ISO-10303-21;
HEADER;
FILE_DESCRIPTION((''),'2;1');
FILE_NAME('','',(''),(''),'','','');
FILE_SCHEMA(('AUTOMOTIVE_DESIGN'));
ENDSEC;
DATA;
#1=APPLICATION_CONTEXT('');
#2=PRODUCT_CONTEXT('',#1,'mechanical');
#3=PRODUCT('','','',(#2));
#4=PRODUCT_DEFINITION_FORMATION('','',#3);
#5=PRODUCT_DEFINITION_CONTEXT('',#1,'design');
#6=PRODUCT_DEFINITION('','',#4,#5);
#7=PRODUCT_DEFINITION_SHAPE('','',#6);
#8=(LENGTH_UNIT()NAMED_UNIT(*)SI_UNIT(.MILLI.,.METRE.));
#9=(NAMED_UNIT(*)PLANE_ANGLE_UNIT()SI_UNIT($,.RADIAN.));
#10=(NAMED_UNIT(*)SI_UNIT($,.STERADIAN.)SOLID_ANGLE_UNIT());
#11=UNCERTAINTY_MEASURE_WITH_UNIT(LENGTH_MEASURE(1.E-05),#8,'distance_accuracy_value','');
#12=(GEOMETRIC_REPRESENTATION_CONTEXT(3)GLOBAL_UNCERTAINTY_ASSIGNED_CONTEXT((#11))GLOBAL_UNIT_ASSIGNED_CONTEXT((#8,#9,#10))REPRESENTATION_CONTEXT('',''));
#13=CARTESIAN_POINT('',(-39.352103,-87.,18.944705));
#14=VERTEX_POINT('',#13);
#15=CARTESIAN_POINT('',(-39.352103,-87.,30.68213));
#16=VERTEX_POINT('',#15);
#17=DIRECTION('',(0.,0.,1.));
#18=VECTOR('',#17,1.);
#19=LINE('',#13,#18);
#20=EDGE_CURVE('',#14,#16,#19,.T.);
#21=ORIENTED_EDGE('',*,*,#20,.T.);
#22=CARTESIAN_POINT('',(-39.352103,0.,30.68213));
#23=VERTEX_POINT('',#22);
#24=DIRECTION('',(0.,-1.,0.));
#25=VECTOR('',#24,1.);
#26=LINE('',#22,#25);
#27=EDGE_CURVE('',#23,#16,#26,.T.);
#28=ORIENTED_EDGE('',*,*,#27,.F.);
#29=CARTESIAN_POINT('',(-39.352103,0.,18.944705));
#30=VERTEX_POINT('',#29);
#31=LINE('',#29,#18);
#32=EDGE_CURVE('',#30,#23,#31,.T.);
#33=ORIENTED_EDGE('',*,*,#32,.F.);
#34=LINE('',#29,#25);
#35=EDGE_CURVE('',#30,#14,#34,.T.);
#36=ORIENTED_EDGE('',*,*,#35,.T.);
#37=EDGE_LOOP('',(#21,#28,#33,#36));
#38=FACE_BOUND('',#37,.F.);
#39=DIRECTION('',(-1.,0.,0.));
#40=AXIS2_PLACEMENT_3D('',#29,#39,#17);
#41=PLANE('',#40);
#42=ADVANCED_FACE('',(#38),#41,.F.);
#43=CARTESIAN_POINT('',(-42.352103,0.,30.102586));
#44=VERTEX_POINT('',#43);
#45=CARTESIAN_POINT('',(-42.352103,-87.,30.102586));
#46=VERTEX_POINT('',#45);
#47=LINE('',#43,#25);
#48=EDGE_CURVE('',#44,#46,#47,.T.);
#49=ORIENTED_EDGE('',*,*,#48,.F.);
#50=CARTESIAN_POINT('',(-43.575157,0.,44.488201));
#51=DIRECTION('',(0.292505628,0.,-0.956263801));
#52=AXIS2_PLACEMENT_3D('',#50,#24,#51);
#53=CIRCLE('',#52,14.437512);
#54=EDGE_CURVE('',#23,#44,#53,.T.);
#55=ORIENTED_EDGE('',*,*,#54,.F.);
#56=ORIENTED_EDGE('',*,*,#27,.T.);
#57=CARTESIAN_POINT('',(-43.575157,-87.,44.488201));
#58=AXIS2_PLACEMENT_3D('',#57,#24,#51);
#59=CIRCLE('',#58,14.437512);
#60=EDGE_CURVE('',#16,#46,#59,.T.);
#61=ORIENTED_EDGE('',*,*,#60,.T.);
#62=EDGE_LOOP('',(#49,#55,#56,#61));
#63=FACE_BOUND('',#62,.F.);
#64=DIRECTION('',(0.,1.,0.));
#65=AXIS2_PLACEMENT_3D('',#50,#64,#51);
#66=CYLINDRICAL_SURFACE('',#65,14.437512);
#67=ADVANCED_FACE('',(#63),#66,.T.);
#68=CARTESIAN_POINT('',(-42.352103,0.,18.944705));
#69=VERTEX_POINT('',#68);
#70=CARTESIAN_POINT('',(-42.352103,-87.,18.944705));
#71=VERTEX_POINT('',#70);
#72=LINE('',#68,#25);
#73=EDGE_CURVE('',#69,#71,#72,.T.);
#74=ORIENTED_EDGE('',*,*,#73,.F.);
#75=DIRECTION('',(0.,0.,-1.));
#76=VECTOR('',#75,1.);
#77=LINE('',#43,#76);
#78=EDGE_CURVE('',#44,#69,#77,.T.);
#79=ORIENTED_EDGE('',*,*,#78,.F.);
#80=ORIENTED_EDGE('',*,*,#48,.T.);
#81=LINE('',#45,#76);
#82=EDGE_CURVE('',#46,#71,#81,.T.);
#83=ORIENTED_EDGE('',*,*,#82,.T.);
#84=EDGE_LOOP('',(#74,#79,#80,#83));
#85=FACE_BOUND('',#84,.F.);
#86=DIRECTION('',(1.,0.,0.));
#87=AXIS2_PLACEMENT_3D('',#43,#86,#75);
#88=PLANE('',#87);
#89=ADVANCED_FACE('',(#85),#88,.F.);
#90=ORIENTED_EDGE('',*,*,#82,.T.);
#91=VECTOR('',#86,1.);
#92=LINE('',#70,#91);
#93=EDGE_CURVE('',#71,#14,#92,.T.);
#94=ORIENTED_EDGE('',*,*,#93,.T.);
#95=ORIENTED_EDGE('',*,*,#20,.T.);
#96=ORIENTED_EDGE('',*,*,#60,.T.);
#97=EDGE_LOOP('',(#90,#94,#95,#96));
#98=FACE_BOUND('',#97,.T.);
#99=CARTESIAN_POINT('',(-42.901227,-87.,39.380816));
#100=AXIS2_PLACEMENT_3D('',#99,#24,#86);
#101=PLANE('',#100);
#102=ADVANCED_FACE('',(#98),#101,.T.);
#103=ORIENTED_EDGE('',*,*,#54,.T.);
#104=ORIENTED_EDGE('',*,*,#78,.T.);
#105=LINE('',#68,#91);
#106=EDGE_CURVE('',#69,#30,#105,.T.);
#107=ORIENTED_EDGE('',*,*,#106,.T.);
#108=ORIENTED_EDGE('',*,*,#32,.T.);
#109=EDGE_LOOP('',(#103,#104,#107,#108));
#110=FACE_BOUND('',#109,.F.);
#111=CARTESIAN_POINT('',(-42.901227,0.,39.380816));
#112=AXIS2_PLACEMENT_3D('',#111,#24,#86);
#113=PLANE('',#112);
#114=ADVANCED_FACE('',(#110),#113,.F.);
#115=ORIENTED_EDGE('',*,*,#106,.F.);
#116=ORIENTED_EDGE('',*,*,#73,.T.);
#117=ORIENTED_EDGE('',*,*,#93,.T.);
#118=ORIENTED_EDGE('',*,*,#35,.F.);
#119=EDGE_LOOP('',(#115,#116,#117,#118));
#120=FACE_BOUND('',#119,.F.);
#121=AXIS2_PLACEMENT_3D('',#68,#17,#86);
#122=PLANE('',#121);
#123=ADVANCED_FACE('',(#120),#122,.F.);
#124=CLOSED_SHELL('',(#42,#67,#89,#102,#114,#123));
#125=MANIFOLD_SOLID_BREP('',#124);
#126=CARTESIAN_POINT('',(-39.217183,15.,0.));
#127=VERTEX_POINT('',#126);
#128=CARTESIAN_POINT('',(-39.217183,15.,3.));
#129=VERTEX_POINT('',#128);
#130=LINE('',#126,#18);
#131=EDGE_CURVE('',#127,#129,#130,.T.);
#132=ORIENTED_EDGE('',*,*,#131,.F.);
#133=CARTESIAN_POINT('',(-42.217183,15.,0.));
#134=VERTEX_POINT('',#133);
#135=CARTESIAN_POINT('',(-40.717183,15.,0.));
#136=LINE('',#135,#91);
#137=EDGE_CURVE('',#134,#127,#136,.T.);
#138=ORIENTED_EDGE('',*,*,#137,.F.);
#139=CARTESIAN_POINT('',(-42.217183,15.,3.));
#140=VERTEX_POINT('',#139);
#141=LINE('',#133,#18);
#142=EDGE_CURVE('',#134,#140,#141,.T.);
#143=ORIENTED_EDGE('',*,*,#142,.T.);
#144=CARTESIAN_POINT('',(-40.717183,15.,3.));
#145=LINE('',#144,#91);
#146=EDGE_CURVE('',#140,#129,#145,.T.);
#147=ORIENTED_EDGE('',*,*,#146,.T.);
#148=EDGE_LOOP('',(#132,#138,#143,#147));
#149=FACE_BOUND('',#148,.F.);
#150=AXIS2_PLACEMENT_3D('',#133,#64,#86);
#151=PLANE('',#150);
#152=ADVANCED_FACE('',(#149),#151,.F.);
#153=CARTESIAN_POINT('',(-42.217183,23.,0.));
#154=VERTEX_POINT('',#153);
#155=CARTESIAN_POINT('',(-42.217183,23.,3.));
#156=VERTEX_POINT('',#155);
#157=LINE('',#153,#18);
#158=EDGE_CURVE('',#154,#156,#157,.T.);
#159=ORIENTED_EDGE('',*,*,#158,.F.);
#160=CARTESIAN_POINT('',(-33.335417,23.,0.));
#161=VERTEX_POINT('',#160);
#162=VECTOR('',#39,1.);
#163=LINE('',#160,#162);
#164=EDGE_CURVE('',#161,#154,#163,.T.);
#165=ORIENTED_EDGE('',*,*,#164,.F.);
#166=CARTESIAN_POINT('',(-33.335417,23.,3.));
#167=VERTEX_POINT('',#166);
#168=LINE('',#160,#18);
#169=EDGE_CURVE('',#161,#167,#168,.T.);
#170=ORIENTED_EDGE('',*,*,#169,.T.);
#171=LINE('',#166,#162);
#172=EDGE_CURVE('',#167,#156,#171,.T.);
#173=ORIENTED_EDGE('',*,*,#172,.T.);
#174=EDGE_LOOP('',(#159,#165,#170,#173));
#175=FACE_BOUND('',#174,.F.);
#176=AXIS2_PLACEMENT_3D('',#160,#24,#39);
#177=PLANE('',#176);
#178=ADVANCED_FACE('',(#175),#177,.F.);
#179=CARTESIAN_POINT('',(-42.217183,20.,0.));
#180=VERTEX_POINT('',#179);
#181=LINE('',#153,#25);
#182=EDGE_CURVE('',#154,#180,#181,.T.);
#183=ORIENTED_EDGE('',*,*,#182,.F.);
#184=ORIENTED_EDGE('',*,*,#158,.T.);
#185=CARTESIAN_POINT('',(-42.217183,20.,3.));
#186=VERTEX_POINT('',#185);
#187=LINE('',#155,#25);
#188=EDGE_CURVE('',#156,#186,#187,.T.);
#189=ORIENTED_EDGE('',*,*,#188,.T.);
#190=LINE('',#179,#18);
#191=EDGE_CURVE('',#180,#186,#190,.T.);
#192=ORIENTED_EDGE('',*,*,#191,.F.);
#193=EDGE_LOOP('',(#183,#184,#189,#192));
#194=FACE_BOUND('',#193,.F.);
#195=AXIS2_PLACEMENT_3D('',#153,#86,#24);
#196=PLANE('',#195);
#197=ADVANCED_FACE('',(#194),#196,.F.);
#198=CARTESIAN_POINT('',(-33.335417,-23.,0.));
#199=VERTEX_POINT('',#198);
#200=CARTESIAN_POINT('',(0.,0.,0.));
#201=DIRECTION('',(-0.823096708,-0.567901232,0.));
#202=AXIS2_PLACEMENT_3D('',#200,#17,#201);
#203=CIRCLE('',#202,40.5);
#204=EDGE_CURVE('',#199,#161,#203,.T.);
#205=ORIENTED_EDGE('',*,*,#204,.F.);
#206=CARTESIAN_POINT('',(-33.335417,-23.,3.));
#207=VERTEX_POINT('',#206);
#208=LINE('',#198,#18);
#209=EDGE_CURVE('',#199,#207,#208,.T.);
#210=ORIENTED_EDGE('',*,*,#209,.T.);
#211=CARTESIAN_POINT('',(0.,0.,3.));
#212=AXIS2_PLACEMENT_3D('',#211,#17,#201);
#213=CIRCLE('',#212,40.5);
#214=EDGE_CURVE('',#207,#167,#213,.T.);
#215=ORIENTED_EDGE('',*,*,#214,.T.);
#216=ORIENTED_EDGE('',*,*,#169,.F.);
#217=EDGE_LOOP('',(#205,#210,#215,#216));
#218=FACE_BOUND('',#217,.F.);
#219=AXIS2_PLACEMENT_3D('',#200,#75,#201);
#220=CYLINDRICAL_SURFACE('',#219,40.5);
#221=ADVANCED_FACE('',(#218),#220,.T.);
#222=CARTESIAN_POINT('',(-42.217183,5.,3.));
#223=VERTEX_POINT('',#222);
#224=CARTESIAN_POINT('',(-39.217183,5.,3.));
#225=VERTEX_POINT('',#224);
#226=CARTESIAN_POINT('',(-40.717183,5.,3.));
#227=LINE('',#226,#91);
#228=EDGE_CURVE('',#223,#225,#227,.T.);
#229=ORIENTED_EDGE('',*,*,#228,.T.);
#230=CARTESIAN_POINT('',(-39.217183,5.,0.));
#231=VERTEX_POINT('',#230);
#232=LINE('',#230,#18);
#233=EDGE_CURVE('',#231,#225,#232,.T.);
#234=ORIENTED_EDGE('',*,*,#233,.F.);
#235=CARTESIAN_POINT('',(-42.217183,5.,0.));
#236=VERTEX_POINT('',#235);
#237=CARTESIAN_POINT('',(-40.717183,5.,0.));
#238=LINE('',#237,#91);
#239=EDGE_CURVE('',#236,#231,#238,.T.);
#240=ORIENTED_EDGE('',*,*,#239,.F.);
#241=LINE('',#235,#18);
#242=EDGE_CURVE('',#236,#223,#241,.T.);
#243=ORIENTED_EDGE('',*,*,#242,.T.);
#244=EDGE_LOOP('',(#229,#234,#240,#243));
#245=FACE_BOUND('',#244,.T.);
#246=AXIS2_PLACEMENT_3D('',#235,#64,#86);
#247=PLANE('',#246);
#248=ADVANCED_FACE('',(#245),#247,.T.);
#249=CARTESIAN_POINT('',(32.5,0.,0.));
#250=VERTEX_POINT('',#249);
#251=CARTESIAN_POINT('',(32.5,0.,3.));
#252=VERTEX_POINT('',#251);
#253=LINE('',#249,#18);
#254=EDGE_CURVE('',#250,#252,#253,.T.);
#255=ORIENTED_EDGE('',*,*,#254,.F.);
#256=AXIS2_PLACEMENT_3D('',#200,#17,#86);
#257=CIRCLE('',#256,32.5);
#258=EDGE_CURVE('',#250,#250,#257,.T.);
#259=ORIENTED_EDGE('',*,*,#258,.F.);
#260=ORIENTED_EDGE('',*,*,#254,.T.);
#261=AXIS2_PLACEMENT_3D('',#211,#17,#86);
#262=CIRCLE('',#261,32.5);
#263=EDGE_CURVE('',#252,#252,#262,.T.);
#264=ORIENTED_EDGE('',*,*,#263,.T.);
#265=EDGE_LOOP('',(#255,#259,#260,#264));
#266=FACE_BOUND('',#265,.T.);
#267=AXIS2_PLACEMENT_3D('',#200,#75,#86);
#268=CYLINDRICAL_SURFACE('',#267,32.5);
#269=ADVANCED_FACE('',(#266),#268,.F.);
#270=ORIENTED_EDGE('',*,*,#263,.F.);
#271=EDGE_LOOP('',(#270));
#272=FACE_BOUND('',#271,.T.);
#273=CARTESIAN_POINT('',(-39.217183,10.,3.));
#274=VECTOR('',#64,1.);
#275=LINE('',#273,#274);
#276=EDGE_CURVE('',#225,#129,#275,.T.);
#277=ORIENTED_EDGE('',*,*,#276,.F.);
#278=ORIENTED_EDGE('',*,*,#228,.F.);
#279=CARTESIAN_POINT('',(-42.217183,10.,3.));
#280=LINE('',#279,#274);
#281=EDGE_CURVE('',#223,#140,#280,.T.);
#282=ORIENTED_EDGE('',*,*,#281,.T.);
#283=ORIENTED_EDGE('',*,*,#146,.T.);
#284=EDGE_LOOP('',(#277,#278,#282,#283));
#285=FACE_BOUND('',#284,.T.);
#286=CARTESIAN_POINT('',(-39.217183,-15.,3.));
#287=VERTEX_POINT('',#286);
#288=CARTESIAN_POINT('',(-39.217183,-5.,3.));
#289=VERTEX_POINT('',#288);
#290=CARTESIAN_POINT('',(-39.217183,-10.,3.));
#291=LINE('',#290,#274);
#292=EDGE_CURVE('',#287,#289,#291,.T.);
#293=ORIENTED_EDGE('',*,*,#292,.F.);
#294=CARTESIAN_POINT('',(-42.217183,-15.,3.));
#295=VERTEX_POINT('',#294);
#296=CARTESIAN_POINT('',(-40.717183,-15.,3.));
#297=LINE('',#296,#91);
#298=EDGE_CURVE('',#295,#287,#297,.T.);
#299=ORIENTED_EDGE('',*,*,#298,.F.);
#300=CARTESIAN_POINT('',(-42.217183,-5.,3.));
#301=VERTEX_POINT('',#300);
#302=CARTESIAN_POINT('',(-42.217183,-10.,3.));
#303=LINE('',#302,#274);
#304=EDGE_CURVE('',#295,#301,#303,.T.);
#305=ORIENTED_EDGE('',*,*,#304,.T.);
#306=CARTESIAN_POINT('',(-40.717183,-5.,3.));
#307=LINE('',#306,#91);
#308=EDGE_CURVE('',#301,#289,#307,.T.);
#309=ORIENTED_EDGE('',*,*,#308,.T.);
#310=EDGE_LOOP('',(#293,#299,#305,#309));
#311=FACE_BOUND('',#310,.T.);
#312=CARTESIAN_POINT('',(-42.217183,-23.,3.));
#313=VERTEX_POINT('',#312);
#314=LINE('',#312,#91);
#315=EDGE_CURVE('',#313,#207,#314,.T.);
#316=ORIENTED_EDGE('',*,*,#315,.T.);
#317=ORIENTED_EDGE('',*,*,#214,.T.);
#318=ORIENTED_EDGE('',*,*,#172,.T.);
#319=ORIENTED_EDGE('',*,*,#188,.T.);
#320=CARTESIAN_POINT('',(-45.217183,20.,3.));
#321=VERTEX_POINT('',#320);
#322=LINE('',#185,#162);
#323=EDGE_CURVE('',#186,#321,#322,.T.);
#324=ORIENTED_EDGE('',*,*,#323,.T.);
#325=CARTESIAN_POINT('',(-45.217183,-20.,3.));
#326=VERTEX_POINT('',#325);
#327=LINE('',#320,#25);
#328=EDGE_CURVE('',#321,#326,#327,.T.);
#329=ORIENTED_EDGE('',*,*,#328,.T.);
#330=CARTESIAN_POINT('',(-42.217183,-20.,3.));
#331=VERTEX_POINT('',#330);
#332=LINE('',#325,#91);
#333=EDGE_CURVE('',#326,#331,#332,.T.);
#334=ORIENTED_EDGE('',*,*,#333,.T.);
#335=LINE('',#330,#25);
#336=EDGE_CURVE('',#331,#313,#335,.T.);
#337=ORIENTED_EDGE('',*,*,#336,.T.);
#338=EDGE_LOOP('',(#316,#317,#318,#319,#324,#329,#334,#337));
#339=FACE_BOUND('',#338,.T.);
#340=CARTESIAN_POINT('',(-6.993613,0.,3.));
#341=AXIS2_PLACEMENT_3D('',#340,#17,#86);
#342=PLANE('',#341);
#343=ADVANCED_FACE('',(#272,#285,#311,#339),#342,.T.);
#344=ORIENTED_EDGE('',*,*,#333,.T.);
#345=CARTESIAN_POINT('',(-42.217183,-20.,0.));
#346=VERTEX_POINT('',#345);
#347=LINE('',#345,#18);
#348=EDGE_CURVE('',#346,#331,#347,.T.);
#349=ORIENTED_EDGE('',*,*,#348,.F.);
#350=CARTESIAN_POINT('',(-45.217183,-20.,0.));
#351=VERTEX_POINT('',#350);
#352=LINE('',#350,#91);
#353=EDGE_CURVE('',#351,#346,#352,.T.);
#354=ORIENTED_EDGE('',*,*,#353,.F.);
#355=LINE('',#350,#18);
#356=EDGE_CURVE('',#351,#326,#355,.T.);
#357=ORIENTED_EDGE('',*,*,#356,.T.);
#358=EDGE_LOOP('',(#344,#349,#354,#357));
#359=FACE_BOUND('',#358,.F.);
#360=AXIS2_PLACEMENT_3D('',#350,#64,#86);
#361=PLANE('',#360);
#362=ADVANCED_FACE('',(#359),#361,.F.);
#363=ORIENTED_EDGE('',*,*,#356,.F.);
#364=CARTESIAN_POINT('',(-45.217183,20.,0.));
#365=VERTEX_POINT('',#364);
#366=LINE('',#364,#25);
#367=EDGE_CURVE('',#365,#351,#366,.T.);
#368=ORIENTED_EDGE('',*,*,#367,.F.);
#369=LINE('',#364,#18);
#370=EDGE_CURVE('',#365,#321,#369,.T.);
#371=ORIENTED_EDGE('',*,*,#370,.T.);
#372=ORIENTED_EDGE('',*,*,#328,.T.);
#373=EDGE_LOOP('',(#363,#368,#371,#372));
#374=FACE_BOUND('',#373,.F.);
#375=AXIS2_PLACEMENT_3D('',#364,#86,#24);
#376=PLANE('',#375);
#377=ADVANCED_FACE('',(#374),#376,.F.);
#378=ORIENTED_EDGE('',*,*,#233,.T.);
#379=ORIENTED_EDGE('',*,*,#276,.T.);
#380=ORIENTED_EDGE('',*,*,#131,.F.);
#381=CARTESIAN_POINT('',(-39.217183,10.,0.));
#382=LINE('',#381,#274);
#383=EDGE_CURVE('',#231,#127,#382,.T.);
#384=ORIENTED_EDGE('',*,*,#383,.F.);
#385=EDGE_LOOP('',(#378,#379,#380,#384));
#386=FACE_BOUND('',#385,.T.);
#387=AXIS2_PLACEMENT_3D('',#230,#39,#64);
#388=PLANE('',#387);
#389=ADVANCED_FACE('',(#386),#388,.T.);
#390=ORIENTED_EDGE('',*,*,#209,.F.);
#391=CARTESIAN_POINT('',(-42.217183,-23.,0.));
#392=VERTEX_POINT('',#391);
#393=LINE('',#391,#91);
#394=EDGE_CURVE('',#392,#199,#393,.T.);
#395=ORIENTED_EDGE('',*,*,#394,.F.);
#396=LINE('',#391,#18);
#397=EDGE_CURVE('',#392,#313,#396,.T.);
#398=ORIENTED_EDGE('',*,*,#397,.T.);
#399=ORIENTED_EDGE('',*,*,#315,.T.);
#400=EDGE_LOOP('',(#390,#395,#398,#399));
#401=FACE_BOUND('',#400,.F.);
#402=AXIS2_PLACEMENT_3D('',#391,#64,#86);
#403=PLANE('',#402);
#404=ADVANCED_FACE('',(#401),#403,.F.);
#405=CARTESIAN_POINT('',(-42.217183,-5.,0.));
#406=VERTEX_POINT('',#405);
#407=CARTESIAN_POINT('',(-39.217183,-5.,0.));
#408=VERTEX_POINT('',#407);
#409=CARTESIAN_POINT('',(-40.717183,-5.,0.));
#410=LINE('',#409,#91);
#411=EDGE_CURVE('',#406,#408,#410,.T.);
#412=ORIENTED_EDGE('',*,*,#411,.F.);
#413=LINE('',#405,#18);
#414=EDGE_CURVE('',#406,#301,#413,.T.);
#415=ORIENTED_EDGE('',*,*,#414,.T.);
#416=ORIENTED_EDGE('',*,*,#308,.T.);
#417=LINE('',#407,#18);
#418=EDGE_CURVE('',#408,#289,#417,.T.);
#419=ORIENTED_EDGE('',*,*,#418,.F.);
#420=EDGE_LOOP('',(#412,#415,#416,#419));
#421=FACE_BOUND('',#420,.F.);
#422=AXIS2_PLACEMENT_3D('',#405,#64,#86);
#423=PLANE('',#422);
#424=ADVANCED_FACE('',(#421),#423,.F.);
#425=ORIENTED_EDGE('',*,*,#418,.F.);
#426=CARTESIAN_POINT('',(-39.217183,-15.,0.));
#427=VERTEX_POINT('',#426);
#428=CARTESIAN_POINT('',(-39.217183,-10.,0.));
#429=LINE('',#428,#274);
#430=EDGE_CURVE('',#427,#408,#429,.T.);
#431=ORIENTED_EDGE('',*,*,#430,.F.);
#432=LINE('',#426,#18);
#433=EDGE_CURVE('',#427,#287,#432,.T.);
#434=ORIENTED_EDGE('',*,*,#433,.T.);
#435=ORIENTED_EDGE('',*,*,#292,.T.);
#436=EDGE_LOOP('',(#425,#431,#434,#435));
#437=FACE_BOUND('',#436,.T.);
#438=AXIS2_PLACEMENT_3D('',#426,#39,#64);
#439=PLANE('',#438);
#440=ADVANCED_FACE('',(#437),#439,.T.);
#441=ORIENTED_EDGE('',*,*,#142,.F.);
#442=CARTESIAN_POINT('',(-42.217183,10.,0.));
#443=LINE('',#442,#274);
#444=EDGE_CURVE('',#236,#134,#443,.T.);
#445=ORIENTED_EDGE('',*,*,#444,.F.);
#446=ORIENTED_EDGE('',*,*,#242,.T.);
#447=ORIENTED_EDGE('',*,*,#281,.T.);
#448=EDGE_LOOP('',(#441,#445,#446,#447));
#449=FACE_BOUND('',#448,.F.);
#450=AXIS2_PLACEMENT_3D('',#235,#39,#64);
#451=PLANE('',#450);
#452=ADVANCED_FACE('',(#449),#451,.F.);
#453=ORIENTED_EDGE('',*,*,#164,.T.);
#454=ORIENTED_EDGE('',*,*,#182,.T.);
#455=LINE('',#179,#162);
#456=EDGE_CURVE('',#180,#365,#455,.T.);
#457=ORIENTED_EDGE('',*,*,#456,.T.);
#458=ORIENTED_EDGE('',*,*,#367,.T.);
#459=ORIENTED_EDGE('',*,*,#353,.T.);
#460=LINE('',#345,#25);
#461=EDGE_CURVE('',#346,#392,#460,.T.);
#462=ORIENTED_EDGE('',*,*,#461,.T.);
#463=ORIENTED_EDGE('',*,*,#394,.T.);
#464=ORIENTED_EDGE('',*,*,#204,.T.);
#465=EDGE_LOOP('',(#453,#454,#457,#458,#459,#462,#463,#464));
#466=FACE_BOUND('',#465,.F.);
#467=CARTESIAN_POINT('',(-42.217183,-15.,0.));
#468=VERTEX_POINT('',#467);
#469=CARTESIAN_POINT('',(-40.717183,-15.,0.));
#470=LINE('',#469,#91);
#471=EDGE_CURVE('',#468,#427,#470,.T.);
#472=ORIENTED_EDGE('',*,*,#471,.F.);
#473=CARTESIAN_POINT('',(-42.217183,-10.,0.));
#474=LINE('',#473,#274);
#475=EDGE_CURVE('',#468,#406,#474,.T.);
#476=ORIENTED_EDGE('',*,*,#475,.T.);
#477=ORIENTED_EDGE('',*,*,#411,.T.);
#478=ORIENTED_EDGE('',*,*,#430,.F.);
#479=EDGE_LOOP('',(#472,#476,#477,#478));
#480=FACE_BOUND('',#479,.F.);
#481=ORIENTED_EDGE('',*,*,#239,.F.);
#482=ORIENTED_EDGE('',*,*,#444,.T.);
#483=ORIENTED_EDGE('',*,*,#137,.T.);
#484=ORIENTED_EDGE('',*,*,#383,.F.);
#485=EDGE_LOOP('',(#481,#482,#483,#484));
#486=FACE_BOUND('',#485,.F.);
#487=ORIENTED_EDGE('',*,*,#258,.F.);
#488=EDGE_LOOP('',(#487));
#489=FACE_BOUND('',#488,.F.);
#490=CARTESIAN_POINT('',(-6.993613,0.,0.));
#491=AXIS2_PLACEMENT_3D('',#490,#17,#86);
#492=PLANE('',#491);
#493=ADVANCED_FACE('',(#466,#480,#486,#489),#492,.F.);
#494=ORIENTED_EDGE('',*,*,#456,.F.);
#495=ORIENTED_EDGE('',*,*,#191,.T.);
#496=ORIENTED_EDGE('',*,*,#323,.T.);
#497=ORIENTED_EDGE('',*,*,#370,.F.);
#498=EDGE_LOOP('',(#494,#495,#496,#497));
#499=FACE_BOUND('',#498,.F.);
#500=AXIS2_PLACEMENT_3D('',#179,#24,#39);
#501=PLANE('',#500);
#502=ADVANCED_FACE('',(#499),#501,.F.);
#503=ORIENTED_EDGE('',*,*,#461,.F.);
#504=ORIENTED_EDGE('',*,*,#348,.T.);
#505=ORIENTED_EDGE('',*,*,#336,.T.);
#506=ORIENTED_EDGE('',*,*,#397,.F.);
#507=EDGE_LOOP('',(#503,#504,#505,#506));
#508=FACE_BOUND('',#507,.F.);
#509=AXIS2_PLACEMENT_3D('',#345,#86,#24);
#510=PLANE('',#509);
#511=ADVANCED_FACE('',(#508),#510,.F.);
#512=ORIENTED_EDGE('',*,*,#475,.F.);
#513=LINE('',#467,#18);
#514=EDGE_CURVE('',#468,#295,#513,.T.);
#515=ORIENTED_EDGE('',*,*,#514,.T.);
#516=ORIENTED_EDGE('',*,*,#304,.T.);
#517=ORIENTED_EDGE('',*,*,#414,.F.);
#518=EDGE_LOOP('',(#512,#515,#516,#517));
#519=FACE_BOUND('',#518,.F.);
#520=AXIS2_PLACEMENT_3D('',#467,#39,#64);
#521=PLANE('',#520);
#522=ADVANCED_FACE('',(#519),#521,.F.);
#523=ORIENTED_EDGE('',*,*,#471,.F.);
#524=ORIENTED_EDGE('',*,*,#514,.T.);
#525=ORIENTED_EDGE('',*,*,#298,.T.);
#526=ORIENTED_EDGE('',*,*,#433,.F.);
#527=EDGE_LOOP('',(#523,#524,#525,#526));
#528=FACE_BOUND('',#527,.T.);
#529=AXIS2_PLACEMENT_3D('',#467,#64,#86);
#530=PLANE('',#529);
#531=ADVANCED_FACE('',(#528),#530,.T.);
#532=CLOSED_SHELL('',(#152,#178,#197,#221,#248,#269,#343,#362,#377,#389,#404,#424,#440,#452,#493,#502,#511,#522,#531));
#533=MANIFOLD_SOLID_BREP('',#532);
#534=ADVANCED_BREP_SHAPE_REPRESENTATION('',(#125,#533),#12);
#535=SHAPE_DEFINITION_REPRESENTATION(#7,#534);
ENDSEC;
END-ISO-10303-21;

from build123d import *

# Parameters (mm, degrees)
F0_W     = 3
F0_H     = 10
F0_R     = 32.5
F1_DEPTH = 3
F3_DEPTH = 87


with BuildPart() as f1:
    # F0 (on Top) → F1 (new body)
    with BuildSketch(Plane.XY):
        with BuildLine():
            Line((-39.217183, -23), (-33.335417, -23))
            ThreePointArc((-33.335417, -23), (40.5, 0), (-33.335417, 23))
            Line((-33.335417, 23), (-39.217183, 23))
            Line((-39.217183, 23), (-42.217183, 23))
            Line((-42.217183, 23), (-42.217183, 20))
            Line((-42.217183, 20), (-45.217183, 20))
            Line((-45.217183, 20), (-45.217183, -20))
            Line((-45.217183, -20), (-42.217183, -20))
            Line((-42.217183, -20), (-42.217183, -23))
            Line((-42.217183, -23), (-39.217183, -23))
        make_face()
        with Locations((-40.717183, -10)):
            Rectangle(F0_W, F0_H, mode=Mode.SUBTRACT)
        Circle(F0_R, mode=Mode.SUBTRACT)
        with Locations((-40.717183, 10)):
            Rectangle(F0_W, F0_H, mode=Mode.SUBTRACT)
    extrude(amount=F1_DEPTH)


with BuildPart() as f3:
    # F2 (on Front) → F3 (new body)
    with BuildSketch(Plane.XZ):
        with BuildLine():
            Line((-39.352103, 18.944705), (-39.352103, 30.68213))
            ThreePointArc((-39.352103, 30.68213), (-46.313581, 58.66363), (-42.352103, 30.102586))
            Line((-42.352103, 30.102586), (-42.352103, 18.944705))
            Line((-42.352103, 18.944705), (-39.352103, 18.944705))
        make_face()
    extrude(amount=F3_DEPTH)


solid = Compound([f1.part, f3.part])
